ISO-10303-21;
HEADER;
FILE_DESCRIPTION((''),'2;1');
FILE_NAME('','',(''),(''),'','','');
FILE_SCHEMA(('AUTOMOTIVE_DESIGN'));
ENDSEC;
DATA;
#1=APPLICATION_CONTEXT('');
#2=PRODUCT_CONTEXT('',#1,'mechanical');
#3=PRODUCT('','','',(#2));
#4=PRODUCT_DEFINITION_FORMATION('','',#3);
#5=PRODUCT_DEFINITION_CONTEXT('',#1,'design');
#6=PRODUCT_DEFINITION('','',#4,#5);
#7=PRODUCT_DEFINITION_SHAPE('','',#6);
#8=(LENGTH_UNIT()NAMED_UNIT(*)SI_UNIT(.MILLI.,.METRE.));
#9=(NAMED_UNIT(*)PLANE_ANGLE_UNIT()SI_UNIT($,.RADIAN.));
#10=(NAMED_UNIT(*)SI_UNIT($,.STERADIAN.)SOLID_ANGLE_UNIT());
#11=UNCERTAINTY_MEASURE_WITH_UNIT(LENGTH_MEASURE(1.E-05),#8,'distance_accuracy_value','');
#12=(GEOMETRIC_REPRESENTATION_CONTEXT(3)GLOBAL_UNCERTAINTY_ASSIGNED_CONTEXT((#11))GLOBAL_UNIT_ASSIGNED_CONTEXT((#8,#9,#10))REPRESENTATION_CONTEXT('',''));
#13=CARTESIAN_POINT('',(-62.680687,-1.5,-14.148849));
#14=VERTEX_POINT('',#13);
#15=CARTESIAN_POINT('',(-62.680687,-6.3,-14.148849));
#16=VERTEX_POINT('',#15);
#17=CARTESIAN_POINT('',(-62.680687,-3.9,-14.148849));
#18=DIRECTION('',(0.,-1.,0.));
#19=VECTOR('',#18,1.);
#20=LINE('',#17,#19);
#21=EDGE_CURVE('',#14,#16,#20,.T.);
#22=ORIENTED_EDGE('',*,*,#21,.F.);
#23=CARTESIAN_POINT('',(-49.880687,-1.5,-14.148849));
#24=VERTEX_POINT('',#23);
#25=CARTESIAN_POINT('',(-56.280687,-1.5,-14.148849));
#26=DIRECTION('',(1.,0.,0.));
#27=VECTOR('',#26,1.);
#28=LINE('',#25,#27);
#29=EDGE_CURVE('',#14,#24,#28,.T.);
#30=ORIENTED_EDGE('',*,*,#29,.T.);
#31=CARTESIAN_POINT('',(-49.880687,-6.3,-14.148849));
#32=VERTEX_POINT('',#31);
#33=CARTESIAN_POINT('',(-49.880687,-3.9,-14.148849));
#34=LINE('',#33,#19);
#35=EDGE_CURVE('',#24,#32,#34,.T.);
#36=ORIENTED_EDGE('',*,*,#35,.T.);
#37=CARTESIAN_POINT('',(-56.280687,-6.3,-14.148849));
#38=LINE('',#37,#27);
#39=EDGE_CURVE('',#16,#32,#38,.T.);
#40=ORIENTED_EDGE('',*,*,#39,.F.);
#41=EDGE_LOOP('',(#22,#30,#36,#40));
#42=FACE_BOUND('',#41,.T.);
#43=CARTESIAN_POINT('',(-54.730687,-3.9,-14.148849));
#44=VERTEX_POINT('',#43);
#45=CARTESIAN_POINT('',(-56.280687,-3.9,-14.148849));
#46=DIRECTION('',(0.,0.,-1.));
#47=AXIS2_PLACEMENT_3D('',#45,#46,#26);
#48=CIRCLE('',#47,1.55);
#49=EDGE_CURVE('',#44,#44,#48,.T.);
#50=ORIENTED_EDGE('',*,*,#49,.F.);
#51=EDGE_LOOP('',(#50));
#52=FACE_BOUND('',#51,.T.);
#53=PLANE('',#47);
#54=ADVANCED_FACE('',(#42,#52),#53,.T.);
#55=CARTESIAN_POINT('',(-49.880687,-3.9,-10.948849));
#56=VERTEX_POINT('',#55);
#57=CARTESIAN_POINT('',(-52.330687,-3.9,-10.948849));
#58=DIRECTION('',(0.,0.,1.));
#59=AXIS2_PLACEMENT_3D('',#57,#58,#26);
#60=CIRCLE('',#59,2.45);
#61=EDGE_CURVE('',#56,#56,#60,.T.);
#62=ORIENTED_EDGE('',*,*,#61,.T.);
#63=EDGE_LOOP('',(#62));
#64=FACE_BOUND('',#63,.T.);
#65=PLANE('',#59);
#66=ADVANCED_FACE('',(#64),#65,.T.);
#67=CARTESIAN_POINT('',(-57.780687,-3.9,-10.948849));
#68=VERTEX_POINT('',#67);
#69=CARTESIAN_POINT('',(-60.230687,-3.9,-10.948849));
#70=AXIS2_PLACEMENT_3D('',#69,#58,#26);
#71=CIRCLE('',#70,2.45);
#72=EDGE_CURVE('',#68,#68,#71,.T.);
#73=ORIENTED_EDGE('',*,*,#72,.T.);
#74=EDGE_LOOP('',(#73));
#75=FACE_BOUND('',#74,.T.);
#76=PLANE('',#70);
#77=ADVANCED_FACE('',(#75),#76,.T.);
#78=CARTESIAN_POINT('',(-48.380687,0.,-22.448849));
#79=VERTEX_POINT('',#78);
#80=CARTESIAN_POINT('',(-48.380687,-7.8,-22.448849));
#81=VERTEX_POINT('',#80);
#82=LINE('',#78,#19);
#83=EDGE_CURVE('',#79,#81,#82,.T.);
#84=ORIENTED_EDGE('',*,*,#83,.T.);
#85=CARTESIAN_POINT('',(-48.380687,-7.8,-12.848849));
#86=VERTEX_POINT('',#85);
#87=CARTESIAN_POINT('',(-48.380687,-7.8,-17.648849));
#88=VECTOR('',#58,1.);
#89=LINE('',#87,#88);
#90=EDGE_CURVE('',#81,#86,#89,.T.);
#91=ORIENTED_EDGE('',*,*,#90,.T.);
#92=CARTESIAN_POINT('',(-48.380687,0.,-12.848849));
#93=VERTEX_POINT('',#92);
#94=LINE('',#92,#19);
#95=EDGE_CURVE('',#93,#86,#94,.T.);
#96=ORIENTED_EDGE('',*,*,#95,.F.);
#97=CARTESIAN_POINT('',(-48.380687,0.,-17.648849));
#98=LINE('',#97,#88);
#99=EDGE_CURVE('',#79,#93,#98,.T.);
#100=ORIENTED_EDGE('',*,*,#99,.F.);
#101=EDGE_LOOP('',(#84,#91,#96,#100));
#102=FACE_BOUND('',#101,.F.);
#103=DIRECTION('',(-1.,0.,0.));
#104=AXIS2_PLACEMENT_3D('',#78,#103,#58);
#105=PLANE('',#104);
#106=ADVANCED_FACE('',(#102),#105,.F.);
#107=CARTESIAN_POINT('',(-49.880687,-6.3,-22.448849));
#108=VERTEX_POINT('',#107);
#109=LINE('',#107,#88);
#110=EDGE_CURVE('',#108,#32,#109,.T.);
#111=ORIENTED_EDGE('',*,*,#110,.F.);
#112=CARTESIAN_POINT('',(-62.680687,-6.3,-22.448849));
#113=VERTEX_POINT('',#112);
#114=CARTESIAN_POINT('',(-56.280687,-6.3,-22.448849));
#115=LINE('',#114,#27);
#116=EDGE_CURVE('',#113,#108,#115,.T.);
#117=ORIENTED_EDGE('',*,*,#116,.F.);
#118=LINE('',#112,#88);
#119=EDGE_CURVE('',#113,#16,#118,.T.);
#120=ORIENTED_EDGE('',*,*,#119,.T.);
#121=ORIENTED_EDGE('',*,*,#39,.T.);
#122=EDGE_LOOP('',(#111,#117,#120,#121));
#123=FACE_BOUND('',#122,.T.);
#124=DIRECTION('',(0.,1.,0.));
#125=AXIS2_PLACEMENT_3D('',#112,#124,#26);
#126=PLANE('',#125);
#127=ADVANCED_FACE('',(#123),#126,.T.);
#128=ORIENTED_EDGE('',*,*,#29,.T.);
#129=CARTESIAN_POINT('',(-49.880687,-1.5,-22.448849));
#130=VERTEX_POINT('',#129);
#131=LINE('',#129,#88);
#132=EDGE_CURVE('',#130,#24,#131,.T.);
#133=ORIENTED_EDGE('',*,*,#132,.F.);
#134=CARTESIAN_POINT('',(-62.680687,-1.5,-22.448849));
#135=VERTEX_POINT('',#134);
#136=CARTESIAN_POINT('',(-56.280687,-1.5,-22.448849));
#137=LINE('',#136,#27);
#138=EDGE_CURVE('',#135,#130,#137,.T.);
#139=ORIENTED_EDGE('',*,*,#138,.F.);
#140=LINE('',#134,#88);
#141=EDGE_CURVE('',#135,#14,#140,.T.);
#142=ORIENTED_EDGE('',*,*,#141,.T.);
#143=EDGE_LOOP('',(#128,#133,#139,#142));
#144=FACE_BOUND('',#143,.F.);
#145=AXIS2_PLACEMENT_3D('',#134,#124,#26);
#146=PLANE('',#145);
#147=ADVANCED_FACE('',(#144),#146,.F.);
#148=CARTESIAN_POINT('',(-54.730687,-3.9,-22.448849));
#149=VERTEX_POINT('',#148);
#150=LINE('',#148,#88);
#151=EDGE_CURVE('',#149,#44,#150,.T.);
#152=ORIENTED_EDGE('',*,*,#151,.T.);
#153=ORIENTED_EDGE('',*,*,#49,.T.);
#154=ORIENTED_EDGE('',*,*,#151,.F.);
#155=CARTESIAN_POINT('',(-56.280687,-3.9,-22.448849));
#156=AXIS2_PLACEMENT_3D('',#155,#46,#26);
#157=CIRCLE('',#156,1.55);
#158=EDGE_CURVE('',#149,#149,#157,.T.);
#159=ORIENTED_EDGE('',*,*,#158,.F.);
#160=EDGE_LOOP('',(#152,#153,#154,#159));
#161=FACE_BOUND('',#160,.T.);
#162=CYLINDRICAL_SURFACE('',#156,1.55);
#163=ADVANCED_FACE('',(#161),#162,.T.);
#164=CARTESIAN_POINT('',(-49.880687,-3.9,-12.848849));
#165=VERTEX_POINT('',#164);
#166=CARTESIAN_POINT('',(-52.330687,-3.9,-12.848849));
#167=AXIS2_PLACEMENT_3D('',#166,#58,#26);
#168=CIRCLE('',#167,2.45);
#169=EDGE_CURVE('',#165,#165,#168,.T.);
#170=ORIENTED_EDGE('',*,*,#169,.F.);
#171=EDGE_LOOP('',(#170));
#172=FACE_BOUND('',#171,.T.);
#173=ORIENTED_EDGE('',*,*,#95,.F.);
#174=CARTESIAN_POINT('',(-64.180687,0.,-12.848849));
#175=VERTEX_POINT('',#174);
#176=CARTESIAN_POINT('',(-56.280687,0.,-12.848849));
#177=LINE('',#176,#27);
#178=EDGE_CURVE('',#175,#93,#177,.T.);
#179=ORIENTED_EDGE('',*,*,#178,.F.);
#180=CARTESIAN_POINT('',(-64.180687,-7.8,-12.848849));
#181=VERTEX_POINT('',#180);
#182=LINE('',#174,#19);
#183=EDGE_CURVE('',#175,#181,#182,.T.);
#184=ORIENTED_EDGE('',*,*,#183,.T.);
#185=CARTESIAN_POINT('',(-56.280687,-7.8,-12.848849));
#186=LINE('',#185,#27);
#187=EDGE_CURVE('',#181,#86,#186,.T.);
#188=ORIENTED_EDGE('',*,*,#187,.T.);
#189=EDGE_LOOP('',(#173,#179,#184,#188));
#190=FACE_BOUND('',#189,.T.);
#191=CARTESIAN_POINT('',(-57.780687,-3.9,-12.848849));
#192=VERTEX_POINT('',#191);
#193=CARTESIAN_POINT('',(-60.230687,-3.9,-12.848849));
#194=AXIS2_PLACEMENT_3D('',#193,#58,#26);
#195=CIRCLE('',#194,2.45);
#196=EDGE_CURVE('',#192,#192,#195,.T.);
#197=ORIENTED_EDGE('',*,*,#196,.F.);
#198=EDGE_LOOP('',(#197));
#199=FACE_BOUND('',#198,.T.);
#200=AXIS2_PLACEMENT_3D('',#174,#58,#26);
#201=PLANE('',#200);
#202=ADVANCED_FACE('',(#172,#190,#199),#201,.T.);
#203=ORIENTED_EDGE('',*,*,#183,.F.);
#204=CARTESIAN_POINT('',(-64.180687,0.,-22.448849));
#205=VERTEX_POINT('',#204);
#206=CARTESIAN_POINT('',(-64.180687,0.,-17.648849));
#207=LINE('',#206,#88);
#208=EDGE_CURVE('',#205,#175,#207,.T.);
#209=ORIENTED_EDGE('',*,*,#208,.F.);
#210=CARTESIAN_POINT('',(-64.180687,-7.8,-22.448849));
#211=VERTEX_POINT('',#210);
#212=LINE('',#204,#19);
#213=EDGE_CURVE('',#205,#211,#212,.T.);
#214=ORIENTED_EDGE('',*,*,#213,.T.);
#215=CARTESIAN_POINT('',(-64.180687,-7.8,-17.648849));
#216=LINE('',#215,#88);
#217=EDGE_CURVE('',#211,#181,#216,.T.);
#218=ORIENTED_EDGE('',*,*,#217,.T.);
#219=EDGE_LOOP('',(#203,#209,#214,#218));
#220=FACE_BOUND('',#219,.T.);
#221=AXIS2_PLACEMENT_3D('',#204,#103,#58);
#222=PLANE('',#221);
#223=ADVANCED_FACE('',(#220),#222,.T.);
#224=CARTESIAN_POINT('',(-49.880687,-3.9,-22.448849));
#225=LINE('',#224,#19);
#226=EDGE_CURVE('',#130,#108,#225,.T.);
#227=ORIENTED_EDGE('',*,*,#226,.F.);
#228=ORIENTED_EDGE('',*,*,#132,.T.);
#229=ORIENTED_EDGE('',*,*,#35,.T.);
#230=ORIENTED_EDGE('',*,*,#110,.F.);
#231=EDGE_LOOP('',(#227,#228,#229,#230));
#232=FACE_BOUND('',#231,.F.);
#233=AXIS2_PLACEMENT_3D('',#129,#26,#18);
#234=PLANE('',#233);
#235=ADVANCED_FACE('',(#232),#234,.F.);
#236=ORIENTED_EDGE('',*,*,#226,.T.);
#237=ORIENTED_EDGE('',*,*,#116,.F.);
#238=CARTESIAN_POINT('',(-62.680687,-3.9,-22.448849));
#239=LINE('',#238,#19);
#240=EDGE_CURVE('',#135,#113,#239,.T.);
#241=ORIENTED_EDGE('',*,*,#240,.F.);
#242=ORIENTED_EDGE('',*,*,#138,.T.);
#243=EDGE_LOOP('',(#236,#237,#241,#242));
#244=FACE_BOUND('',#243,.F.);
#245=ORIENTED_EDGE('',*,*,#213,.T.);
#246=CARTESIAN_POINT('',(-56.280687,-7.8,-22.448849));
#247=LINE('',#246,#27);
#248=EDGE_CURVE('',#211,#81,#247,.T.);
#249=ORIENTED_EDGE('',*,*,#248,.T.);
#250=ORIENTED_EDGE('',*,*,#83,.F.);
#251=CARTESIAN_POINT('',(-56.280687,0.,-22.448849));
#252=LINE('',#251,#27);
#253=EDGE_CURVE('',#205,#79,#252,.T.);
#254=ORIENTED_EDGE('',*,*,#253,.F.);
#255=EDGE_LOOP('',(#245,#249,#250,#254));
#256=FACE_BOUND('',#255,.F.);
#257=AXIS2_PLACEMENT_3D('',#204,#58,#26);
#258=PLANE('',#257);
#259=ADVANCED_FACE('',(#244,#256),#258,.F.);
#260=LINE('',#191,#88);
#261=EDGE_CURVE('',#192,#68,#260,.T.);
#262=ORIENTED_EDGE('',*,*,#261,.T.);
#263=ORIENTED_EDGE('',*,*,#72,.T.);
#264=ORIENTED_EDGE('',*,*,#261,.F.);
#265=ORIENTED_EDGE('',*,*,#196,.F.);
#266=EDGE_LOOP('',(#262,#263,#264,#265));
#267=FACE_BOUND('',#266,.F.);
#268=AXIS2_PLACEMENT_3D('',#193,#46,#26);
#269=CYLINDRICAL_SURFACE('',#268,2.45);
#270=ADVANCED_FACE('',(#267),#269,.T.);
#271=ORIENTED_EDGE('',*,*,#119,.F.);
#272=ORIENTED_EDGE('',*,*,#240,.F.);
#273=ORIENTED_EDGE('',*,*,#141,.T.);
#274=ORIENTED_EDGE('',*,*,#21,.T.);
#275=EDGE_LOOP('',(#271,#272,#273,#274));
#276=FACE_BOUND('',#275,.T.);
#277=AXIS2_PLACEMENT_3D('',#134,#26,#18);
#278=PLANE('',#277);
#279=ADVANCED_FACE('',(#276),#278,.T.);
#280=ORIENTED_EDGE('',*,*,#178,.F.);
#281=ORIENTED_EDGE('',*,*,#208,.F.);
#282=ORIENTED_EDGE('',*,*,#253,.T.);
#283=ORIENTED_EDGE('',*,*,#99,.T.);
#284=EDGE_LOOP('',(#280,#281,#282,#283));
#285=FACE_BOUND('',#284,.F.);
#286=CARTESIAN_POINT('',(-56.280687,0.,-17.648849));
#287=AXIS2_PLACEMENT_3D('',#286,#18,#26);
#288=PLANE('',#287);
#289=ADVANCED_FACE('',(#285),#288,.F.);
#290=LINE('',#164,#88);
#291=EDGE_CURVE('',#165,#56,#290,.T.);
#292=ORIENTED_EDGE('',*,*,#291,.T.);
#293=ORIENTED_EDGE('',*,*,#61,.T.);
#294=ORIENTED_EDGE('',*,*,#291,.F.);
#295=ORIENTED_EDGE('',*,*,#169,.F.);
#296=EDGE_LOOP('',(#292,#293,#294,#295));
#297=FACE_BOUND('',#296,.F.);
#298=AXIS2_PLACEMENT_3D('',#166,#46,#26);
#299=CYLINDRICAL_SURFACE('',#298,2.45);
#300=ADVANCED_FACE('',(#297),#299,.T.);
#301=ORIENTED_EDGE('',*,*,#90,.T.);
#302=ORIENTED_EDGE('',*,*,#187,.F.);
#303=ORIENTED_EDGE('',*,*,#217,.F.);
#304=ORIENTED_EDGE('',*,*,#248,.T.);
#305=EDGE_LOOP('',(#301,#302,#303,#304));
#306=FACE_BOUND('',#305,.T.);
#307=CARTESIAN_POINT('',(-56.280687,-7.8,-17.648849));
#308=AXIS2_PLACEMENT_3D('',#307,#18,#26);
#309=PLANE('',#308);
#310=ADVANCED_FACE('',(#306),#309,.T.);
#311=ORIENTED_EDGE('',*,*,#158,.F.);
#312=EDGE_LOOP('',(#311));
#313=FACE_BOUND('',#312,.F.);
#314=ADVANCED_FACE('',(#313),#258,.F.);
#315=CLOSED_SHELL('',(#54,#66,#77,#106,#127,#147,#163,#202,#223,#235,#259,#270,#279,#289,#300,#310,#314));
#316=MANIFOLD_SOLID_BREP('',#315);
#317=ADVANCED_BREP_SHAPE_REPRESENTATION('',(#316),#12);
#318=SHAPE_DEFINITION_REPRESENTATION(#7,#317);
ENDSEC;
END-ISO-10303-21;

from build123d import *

# Parameters (mm, degrees)
F0_W     = 15.8
F0_H     = 9.6
F1_DEPTH = 7.8
F2_R     = 2.45
F3_DEPTH = 1.9
F4_W     = 12.8
F4_H     = 4.8
F4_R     = 1.55
F5_DEPTH = 8.3


with BuildPart() as f1:
    # F0 (on Front) → F1 (new body)
    with BuildSketch(Plane.XZ):
        with Locations((-56.280687, -17.648849)):
            Rectangle(F0_W, F0_H)
    extrude(amount=F1_DEPTH)

    # F2 (on face) → F3 (join)
    with BuildSketch(Plane.XY.offset(-12.848849)):
        with Locations((-60.230687, -3.9)):
            Circle(F2_R)
        with Locations((-52.330687, -3.9)):
            Circle(F2_R)
    extrude(amount=F3_DEPTH)

    # F4 (on face) → F5 (cut)
    with BuildSketch(Plane(origin=(0, 0, -22.448849), x_dir=(1, 0, 0), z_dir=(0, 0, -1))):
        with Locations((-56.280687, 3.9)):
            Rectangle(F4_W, F4_H)
        with Locations((-56.280687, 3.9)):
            Circle(F4_R, mode=Mode.SUBTRACT)
    extrude(amount=-F5_DEPTH, mode=Mode.SUBTRACT)


solid = f1.part
